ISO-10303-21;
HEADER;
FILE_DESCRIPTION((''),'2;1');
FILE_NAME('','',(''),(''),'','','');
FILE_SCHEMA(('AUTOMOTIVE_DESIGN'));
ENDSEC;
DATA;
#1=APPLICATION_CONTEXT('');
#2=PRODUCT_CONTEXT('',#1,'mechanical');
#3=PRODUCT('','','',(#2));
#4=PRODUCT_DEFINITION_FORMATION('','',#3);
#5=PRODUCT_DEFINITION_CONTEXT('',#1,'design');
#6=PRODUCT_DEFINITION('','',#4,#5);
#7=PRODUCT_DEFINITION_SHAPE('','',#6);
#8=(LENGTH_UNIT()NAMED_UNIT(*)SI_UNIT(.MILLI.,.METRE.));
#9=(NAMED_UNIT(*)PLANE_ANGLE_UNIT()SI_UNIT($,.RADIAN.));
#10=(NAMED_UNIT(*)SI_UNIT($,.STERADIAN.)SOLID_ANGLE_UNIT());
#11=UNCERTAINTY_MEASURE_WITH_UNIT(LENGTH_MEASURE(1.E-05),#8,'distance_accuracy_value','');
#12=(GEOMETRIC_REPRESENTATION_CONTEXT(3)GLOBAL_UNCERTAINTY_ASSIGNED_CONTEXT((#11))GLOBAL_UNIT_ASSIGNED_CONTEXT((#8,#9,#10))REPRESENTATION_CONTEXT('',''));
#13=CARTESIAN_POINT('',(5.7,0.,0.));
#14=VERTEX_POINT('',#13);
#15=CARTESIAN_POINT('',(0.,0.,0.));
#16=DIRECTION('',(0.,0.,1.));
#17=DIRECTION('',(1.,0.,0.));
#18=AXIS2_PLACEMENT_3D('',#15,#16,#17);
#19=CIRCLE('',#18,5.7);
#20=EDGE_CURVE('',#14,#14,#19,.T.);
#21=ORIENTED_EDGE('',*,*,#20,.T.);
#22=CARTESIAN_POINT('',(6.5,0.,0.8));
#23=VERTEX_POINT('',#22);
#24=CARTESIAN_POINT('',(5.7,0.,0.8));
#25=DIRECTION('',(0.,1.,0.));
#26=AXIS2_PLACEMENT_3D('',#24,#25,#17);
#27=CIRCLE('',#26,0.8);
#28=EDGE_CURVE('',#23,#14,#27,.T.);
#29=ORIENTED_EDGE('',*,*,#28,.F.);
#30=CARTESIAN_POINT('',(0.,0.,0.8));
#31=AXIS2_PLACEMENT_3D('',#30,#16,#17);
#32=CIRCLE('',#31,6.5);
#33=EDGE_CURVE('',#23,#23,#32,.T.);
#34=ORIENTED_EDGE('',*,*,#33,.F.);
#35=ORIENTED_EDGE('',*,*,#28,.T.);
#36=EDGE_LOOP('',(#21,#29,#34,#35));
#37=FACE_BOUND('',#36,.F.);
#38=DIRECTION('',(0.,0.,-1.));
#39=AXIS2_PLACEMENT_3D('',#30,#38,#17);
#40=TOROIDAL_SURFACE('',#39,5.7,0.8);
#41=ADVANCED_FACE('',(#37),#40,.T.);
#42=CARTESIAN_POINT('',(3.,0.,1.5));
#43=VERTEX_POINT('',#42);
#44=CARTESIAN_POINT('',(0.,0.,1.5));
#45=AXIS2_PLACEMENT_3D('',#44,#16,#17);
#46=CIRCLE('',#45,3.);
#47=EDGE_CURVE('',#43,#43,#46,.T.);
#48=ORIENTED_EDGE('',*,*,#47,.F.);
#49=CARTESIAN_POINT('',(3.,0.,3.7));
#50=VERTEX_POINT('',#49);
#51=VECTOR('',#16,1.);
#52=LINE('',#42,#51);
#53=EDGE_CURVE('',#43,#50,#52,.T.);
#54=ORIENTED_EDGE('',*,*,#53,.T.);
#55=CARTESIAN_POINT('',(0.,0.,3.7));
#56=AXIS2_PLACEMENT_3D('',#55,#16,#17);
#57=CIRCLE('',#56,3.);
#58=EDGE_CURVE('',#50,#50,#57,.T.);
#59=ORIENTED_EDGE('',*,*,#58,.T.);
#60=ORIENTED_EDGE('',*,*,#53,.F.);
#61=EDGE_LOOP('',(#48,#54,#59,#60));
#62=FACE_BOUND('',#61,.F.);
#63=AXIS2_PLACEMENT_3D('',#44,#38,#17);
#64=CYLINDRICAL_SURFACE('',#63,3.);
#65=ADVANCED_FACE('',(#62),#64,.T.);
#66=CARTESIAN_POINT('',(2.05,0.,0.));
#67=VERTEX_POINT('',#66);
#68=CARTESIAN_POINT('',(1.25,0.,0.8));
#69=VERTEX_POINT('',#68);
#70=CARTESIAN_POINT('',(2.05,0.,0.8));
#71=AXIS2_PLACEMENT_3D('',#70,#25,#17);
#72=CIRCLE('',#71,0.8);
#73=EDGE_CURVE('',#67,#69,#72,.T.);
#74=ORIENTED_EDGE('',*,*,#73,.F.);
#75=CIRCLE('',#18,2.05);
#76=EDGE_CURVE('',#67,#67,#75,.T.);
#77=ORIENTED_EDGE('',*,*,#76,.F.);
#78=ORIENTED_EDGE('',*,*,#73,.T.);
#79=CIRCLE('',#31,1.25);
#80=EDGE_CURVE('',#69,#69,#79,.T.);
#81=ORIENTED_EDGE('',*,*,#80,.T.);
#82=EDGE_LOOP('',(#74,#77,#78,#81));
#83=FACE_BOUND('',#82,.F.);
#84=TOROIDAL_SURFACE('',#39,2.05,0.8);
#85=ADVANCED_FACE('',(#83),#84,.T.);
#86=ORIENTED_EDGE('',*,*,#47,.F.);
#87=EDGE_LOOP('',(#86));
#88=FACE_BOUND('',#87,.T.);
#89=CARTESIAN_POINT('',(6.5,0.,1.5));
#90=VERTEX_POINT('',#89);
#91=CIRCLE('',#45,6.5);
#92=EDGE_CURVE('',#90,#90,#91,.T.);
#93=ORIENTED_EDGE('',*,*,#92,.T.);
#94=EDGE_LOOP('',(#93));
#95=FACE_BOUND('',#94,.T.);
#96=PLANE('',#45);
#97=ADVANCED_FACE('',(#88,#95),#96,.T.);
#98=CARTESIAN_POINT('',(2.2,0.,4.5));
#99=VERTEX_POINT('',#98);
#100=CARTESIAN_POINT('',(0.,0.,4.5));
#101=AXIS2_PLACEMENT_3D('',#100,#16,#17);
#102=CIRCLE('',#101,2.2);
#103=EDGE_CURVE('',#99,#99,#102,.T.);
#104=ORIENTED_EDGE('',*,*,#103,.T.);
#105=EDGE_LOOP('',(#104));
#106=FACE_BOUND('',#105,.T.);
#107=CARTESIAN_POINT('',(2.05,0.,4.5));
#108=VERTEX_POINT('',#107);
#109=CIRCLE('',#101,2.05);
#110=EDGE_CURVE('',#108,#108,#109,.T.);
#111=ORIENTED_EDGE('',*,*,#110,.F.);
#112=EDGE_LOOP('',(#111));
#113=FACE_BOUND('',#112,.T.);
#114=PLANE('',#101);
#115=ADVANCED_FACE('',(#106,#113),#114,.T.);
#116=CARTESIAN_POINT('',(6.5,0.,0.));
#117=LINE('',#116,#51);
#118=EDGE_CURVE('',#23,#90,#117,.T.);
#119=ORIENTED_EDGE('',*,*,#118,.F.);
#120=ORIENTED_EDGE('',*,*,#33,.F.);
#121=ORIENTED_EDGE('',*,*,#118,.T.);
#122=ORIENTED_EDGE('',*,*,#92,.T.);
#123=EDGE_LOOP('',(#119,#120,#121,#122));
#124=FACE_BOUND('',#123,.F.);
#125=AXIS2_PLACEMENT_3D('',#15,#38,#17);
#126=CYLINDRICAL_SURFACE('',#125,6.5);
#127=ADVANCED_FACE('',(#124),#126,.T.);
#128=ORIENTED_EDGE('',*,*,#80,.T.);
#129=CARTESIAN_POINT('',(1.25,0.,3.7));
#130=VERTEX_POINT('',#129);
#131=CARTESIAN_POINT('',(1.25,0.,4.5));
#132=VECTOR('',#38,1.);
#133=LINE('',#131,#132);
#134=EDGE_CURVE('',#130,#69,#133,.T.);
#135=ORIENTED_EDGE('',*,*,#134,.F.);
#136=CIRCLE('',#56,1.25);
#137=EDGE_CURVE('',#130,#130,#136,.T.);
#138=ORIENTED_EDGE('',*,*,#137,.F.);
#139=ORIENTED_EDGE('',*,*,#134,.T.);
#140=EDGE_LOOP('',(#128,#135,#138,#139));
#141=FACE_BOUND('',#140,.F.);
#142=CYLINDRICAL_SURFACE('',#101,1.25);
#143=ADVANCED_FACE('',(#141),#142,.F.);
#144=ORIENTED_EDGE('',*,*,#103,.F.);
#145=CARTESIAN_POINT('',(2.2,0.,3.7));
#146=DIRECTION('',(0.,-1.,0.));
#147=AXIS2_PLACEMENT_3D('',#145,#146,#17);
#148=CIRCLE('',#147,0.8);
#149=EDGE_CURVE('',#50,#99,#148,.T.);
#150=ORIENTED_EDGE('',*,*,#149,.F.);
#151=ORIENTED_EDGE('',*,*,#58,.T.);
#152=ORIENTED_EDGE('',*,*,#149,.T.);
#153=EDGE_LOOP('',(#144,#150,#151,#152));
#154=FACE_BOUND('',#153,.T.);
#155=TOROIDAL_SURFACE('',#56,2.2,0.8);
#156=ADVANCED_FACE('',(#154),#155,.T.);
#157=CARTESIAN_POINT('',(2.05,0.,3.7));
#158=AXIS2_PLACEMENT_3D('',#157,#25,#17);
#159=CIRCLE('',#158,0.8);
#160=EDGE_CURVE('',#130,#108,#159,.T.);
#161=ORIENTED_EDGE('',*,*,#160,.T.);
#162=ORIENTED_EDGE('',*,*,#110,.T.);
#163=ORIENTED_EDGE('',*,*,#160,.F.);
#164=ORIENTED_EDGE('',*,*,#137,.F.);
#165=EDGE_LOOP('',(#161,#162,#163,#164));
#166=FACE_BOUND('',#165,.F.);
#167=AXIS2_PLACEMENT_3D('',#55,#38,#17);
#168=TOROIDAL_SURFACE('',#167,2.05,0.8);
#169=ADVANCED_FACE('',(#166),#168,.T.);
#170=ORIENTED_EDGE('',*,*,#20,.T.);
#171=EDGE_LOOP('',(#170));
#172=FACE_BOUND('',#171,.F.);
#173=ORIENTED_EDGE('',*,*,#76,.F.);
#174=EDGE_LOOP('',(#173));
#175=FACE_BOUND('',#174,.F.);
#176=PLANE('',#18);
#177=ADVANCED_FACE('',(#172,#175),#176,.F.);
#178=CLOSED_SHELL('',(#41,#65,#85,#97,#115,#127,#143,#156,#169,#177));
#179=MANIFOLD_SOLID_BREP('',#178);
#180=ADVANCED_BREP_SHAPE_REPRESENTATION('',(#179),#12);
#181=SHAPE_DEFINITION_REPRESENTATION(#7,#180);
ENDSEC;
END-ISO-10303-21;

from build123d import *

# Parameters (mm, degrees)
F0_R     = 6.5
F1_DEPTH = 1.5
F2_R     = 3
F3_DEPTH = 3
F4_R     = 1.25
F5_DEPTH = 4.5
F6_R     = 0.8


with BuildPart() as f1:
    # F0 (on Top) → F1 (new body)
    with BuildSketch(Plane.XY):
        Circle(F0_R)
    extrude(amount=F1_DEPTH)

    # F2 (on face) → F3 (join)
    with BuildSketch(Plane.XY.offset(1.5)):
        Circle(F2_R)
    extrude(amount=F3_DEPTH)

    # F4 (on face) → F5 (cut, through all)
    with BuildSketch(Plane.XY.offset(4.5)):
        Circle(F4_R)
    extrude(amount=-F5_DEPTH, mode=Mode.SUBTRACT)

    # F6
    f6_edges = [f1.edges().sort_by_distance(p)[0] for p in [
        (-3, 0, 4.5),
        (-6.5, 0, 0),
        (-1.25, 0, 4.5),
        (-1.25, 0, 0),
    ]]
    fillet(f6_edges, radius=F6_R)


solid = f1.part
